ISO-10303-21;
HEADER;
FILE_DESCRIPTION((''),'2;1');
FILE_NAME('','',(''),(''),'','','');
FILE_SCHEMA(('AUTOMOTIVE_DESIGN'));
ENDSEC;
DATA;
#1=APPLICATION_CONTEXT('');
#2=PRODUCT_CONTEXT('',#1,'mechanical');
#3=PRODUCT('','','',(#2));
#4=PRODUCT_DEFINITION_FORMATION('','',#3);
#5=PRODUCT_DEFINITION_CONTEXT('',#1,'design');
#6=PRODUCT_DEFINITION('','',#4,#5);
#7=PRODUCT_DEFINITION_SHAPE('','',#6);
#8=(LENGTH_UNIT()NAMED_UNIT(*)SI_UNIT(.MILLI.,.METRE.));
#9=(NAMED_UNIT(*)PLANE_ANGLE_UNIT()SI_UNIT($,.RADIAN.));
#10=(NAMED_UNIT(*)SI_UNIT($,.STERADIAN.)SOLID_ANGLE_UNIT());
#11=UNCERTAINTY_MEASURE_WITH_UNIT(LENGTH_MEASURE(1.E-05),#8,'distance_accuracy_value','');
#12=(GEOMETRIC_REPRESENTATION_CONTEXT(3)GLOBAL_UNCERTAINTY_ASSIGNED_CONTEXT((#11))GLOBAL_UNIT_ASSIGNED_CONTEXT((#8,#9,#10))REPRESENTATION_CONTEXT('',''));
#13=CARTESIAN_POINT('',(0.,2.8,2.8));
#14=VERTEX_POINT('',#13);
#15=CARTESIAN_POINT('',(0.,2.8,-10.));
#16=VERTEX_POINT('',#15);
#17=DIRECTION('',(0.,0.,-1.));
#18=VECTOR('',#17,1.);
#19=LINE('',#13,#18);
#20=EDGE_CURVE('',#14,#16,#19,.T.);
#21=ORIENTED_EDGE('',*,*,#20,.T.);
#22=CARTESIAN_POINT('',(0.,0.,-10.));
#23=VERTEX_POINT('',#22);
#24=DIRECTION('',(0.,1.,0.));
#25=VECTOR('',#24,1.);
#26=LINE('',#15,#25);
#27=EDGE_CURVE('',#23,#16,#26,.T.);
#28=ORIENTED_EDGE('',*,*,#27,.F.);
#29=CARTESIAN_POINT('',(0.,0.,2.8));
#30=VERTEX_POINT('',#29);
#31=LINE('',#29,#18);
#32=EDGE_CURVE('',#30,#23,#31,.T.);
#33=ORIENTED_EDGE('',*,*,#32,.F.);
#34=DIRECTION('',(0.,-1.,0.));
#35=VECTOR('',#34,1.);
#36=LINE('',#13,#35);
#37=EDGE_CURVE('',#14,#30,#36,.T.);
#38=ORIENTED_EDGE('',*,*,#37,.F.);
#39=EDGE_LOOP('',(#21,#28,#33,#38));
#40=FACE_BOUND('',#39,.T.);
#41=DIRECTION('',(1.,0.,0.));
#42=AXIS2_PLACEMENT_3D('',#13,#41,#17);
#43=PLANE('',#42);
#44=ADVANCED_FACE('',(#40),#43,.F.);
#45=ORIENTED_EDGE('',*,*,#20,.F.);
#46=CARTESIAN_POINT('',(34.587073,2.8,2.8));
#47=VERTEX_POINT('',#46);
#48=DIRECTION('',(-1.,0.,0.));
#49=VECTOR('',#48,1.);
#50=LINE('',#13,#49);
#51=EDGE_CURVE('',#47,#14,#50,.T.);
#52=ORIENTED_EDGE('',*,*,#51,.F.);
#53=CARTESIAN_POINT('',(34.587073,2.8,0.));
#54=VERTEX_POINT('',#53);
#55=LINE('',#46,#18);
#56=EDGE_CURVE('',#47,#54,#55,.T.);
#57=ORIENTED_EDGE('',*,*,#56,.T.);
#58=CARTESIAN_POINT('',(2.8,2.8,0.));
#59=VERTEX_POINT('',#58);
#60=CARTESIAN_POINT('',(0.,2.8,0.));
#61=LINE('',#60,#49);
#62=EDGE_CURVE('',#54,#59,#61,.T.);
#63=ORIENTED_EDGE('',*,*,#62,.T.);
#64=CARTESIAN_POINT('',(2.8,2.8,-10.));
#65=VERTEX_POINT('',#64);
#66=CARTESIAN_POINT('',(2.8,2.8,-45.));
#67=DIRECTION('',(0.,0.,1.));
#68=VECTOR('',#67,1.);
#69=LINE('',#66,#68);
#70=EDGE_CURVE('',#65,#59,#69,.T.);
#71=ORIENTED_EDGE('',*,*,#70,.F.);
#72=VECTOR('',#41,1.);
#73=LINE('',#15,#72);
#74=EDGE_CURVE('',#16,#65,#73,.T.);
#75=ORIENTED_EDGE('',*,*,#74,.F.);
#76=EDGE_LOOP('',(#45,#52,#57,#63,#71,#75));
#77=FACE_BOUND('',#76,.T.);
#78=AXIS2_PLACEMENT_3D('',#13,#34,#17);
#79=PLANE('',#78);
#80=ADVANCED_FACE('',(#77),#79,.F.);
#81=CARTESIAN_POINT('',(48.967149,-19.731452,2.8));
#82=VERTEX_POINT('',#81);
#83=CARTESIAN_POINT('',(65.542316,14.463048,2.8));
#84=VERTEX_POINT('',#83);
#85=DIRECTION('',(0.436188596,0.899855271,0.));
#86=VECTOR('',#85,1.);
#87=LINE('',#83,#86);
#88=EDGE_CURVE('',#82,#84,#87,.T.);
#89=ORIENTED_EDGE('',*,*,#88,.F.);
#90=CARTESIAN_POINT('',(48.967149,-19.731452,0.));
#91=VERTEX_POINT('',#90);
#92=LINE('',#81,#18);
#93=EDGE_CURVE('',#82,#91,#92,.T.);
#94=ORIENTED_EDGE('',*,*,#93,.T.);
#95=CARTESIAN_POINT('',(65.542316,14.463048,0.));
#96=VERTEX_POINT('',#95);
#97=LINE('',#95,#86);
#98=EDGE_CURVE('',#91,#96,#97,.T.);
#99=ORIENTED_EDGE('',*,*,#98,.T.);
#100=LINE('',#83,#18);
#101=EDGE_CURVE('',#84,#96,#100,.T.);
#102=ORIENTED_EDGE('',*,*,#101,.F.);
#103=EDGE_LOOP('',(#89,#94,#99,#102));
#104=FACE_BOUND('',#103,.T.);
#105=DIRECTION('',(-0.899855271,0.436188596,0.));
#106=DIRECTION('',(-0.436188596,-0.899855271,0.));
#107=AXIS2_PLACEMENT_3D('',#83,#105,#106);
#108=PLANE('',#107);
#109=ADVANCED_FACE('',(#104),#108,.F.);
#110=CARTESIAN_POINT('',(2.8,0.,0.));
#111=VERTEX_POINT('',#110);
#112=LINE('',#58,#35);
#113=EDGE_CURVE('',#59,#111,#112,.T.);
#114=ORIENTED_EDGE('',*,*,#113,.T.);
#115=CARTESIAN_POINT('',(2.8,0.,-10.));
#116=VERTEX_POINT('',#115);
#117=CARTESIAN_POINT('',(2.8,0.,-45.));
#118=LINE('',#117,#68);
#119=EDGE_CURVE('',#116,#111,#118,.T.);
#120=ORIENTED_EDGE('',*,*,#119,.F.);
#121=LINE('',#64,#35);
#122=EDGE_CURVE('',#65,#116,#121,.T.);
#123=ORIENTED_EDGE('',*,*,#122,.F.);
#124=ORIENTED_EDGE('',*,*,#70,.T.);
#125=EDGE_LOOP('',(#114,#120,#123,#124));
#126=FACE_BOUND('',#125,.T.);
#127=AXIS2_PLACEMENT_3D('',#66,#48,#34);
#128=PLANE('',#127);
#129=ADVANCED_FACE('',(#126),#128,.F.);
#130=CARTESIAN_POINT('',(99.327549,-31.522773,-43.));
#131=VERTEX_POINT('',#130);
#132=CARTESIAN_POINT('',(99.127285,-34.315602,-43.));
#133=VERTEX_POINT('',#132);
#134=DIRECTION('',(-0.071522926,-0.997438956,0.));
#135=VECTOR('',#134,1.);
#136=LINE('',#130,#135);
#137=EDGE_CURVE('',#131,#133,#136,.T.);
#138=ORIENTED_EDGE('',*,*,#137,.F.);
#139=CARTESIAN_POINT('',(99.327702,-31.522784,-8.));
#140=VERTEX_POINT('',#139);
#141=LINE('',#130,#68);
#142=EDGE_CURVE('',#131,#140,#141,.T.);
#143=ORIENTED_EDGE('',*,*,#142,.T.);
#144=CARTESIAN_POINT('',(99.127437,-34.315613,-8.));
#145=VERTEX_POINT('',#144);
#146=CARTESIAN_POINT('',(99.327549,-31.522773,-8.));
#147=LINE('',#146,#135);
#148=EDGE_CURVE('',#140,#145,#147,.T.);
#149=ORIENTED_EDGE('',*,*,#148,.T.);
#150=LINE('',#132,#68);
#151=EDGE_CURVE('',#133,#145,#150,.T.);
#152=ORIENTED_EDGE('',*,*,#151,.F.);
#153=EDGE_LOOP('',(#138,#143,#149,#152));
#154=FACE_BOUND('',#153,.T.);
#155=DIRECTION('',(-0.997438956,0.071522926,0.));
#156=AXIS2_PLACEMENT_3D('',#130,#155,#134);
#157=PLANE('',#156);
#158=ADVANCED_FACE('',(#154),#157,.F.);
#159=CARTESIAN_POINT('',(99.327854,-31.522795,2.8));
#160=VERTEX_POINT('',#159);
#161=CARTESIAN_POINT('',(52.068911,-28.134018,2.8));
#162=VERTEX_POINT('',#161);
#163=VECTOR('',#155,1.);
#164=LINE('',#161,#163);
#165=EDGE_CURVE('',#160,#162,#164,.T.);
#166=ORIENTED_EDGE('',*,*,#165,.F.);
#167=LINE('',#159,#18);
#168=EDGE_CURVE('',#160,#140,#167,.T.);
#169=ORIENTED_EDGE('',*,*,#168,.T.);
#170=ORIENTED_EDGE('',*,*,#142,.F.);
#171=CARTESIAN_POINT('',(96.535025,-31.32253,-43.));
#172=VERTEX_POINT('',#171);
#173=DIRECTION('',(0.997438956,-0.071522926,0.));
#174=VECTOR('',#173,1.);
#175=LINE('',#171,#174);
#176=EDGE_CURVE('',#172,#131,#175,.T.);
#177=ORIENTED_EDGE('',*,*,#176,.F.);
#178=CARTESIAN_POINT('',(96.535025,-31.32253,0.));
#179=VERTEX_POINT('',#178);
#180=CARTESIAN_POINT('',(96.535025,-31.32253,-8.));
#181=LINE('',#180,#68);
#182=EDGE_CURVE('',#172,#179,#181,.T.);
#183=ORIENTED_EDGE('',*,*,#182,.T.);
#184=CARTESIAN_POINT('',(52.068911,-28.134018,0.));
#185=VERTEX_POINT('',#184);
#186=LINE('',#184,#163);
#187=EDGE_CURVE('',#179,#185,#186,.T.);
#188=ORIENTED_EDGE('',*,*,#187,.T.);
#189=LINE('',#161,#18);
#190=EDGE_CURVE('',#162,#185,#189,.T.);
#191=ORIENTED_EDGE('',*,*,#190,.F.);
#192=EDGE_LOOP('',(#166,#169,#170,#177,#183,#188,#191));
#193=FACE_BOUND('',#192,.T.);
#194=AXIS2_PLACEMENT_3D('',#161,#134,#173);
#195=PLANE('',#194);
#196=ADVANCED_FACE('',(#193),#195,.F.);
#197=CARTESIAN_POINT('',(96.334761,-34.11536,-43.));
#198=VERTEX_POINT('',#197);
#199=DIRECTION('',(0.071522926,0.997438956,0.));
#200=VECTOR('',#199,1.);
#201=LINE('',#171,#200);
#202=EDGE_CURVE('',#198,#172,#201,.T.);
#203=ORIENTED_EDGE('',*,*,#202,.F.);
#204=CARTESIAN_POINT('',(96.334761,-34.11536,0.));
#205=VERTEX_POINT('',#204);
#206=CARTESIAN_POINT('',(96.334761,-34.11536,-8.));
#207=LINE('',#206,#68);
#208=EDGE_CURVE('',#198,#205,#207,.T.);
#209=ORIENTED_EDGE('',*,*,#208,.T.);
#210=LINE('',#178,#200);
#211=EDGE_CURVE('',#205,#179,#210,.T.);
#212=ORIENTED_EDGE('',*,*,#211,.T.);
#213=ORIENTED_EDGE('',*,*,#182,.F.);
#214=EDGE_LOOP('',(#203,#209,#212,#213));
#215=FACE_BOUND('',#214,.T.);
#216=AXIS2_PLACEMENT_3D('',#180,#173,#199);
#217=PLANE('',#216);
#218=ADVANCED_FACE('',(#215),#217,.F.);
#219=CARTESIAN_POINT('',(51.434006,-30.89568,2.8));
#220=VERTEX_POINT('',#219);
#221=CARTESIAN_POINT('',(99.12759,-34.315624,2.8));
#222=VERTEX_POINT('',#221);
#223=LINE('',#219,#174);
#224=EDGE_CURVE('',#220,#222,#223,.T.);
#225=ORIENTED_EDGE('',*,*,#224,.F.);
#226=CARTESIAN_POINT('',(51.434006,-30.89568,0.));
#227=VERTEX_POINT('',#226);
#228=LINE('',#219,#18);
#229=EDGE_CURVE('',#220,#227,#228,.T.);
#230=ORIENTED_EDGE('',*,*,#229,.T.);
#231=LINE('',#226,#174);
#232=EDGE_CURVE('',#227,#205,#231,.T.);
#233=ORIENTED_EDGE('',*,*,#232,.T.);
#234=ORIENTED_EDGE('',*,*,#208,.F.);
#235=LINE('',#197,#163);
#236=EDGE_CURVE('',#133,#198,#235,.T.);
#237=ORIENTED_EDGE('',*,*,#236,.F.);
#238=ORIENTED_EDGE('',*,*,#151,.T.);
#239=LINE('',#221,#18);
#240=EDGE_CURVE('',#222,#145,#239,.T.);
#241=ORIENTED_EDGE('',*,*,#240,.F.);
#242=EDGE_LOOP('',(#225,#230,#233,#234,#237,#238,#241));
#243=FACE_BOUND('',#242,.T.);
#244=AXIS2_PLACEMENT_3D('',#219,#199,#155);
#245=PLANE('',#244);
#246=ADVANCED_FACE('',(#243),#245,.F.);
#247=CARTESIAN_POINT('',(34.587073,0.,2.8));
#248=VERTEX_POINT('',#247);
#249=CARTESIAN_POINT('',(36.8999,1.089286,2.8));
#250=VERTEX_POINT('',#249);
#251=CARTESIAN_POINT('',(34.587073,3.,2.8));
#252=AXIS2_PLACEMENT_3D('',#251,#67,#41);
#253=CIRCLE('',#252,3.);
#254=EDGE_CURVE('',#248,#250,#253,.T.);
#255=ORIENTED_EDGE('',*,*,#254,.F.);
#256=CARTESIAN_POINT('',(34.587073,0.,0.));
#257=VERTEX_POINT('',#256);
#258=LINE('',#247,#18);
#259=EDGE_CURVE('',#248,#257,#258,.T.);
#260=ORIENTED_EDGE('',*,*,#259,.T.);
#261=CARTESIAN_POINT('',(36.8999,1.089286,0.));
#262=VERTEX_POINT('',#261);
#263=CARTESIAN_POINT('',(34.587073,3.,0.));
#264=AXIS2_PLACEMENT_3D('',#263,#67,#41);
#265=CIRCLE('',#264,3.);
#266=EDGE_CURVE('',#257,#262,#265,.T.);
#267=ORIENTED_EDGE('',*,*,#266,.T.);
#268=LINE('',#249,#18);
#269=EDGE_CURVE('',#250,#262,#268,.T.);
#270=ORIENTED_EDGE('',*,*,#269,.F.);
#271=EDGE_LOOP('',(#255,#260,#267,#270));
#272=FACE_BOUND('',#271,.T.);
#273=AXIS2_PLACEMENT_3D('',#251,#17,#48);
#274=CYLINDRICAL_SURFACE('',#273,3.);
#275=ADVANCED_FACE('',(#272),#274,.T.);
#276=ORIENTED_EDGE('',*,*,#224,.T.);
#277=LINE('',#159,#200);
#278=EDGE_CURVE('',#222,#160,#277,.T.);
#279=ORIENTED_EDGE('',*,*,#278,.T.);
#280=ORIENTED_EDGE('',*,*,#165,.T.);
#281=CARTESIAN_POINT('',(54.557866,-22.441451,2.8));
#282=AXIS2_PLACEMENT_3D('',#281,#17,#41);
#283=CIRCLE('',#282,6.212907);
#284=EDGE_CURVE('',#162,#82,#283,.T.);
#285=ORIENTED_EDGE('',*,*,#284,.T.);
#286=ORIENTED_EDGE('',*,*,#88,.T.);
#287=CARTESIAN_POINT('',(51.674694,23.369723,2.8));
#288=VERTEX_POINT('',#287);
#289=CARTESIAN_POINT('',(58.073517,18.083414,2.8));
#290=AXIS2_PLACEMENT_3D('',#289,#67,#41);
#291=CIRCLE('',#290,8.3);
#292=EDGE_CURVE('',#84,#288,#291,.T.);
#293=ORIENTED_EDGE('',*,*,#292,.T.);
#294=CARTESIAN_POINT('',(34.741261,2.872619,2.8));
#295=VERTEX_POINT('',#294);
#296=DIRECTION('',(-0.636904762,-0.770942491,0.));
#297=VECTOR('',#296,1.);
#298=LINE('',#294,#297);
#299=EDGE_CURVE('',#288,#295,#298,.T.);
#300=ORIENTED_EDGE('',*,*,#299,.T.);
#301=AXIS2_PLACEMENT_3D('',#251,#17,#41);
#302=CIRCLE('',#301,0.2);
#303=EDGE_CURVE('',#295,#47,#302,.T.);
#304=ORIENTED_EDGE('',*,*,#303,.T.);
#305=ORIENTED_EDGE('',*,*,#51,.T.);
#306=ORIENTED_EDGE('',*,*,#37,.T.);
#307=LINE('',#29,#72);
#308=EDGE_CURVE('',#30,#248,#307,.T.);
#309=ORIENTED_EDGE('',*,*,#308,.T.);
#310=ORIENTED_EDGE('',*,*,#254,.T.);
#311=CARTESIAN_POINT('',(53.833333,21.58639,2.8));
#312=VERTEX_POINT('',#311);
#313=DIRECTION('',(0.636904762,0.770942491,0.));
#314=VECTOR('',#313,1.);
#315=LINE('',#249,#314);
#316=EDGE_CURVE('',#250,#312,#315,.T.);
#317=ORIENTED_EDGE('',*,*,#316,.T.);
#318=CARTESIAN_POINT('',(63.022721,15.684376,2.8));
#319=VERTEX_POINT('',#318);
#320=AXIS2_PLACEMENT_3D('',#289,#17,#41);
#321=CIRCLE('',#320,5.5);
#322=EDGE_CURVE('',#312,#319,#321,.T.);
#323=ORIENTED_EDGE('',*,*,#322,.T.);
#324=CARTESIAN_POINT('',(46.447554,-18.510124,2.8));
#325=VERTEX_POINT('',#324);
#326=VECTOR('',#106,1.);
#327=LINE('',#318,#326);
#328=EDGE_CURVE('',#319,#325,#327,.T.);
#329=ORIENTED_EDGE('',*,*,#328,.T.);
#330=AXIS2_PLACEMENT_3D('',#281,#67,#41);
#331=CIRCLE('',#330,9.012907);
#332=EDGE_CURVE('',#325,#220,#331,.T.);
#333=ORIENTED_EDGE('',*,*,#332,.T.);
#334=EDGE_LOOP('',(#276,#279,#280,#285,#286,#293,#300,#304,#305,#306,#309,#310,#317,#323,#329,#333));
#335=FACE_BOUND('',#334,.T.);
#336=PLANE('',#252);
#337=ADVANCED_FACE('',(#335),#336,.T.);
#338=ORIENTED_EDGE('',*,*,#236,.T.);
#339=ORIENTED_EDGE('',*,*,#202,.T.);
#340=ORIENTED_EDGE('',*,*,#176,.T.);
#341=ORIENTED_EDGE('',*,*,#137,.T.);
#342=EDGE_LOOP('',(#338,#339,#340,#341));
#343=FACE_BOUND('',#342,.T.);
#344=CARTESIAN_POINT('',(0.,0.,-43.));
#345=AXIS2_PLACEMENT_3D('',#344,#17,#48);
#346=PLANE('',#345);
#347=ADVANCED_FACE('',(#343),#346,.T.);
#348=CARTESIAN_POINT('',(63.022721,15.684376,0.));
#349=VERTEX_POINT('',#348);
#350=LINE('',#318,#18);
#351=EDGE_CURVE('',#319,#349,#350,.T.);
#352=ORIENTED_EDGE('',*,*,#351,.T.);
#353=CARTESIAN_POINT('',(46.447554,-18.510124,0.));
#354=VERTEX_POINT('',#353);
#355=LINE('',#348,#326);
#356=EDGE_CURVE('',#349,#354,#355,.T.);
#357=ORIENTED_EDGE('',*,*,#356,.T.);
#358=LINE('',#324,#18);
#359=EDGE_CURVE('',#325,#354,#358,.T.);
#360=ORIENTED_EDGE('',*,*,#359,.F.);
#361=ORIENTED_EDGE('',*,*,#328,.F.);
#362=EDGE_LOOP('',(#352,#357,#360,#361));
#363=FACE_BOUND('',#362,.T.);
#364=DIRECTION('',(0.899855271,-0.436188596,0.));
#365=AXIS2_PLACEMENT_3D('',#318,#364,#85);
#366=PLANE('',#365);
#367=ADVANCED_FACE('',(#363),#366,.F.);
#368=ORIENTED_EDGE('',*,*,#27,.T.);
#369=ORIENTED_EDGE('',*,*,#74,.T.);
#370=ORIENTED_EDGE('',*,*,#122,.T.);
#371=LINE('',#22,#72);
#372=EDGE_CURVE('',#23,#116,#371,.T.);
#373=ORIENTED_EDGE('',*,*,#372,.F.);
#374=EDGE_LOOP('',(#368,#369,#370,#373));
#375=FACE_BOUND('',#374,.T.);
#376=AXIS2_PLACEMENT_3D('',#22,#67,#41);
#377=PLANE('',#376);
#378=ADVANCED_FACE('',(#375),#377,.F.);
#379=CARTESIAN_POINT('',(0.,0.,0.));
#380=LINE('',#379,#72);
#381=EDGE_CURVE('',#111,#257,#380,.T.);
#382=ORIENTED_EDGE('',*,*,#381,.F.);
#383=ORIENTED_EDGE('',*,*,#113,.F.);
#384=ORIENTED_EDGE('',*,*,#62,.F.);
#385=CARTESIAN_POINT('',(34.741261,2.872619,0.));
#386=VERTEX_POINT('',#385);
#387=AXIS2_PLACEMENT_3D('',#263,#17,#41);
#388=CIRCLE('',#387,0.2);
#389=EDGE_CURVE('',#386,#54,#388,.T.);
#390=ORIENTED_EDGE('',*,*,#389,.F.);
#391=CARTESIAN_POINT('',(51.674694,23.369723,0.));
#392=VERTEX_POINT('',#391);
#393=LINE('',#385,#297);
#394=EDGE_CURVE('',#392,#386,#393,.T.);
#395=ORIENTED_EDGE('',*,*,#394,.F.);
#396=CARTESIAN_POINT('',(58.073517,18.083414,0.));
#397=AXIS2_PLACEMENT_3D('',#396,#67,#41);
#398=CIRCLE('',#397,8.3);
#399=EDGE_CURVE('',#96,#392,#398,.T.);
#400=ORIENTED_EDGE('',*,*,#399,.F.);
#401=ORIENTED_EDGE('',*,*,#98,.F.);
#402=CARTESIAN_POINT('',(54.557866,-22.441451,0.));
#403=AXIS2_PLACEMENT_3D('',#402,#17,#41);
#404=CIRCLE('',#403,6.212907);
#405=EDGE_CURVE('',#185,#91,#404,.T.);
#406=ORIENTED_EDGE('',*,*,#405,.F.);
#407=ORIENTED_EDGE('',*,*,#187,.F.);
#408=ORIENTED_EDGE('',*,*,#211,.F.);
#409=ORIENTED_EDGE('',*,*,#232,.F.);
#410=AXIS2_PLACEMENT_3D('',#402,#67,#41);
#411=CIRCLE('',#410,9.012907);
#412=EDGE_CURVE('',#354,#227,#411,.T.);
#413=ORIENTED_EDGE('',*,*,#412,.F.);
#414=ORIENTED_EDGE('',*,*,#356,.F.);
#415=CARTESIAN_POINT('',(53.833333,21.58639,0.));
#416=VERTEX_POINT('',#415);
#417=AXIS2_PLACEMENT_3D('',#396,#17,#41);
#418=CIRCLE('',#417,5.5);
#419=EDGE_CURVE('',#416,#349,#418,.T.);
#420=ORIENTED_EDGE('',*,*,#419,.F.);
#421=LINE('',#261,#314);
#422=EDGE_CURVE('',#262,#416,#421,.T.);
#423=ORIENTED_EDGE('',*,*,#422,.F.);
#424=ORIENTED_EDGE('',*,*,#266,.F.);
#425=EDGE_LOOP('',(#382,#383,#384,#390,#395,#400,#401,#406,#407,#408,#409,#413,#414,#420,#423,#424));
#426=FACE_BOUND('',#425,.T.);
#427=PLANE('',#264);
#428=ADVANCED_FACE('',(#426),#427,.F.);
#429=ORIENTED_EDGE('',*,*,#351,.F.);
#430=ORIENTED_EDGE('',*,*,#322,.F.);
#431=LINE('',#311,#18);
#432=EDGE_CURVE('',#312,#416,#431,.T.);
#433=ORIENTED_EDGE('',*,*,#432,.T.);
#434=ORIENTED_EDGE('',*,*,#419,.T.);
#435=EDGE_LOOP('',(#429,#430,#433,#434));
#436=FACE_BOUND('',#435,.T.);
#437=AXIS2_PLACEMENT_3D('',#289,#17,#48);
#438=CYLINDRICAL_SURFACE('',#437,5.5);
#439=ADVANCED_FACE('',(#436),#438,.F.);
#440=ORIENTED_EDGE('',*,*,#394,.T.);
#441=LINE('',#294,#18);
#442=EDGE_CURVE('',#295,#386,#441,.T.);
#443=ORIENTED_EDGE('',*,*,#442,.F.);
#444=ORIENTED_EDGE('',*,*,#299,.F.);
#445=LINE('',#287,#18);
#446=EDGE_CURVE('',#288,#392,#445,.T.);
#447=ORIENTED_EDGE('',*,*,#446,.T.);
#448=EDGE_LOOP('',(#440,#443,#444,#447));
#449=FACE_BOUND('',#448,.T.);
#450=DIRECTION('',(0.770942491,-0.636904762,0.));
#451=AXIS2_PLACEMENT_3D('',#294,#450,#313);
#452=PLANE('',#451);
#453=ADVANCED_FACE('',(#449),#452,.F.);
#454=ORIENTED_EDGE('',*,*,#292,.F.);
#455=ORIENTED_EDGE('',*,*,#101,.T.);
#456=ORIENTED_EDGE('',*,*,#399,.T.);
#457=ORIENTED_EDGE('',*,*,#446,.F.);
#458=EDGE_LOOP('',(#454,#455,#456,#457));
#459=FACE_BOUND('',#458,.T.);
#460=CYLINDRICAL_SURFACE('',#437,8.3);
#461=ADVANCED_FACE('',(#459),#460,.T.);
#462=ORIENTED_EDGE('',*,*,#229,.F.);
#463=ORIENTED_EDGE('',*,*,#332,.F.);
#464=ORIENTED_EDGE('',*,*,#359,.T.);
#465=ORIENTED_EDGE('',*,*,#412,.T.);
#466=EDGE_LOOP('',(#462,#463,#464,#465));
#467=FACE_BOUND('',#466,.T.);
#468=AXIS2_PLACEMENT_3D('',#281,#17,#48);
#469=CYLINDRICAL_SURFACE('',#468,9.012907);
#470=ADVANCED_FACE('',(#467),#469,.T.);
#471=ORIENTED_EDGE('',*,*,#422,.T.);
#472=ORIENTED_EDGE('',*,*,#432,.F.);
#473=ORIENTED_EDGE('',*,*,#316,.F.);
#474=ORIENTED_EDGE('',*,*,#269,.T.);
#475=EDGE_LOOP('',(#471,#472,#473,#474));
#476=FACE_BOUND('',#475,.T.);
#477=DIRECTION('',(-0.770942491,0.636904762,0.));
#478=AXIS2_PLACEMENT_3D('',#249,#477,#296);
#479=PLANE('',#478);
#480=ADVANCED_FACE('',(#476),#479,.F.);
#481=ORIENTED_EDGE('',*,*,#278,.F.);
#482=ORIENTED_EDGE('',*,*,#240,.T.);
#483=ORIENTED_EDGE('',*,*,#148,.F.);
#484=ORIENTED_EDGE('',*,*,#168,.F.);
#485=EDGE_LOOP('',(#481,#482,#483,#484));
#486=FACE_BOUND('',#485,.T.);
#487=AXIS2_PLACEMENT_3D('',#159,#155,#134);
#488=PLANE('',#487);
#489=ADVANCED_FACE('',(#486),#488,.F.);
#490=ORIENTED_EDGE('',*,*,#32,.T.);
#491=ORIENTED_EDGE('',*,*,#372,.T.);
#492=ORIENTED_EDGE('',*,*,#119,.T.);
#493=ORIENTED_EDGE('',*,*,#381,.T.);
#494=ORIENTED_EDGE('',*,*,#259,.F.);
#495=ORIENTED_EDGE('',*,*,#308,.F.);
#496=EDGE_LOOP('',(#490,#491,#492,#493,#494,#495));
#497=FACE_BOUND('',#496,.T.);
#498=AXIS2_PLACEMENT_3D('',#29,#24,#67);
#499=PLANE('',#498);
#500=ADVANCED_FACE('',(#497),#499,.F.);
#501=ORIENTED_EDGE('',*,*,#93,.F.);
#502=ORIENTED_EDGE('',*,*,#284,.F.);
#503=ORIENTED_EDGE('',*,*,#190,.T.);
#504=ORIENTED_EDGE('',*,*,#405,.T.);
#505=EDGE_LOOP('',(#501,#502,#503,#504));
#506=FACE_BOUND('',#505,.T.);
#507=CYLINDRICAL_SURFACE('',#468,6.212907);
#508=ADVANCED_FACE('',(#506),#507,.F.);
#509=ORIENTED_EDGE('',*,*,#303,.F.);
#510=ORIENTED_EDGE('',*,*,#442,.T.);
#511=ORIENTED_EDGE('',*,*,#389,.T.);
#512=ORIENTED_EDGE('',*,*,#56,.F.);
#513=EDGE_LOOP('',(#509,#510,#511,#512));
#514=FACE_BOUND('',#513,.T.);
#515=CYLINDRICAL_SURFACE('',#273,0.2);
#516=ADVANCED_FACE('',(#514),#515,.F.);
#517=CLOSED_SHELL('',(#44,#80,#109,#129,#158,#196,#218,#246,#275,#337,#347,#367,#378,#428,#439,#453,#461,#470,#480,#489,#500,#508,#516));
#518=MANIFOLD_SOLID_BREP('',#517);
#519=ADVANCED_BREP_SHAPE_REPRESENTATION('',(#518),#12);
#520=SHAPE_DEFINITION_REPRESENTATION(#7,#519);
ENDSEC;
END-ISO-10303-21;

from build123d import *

# Parameters (mm, degrees)
Y_KSEKLIK_EKSTR_ZYON1_DEPTH = 2.8
IZIM2_W                     = 2.8
IZIM2_H                     = 2.8
Y_KSEKLIK_EKSTR_ZYON3_DEPTH = 45
Y_KSEKLIK_EKSTR_ZYON4_DEPTH = 8
IZIM4_W                     = 2.8
IZIM4_H                     = 2.803743846
KES_EKSTR_ZYON1_DEPTH       = 35
Y_KSEKLIK_EKSTR_ZYON5_DEPTH = 35


with BuildPart() as part:
    # Çizim1 → Yükseklik-Ekstrüzyon1 (new body)
    with BuildSketch(Plane.XY):
        with BuildLine():
            Line((0, 0), (34.587072671, 0))
            ThreePointArc((34.587072671, 0), (35.865324826, 0.285949258), (36.899900144, 1.089285714))
            Line((36.899900144, 1.089285714), (53.833333333, 21.586389745))
            ThreePointArc((53.833333333, 21.586389745), (61.045741484, 22.711143216), (63.022721024, 15.684376278))
            Line((63.022721024, 15.684376278), (46.447554388, -18.510124025))
            ThreePointArc((46.447554388, -18.510124025), (46.197115168, -25.807507473), (51.434005635, -30.895680351))
            Line((51.434005635, -30.895680351), (99.127590258, -34.315623722))
            Line((99.127590258, -34.315623722), (99.327854452, -31.522794645))
            Line((99.327854452, -31.522794645), (52.068910631, -28.134017876))
            ThreePointArc((52.068910631, -28.134017876), (48.729396862, -24.592999144), (48.967149147, -19.731452093))
            Line((48.967149147, -19.731452093), (65.542315784, 14.46304821))
            ThreePointArc((65.542315784, 14.46304821), (62.558873931, 25.067078316), (51.674694359, 23.369723078))
            Line((51.674694359, 23.369723078), (34.741261169, 2.872619048))
            ThreePointArc((34.741261169, 2.872619048), (34.672289482, 2.819063284), (34.587072671, 2.8))
            Line((34.587072671, 2.8), (0, 2.8))
            Line((0, 2.8), (0, 0))
        make_face()
    extrude(amount=Y_KSEKLIK_EKSTR_ZYON1_DEPTH)

    # Çizim2 → Yükseklik-Ekstrüzyon3 (add)
    with BuildSketch(Plane(origin=(0, 0, 0), x_dir=(-1, 0, 0), z_dir=(0, 0, -1))):
        with Locations((-1.4, 1.4)):
            Rectangle(IZIM2_W, IZIM2_H)
    extrude(amount=Y_KSEKLIK_EKSTR_ZYON3_DEPTH)

    # Çizim3 → Yükseklik-Ekstrüzyon4 (add)
    with BuildSketch(Plane(origin=(0, 0, 0), x_dir=(-1, 0, 0), z_dir=(0, 0, -1))):
        Polygon((-99.327854452, -31.522794645), (-99.127590258, -34.315623722), (-96.334761181, -34.115359528), (-96.535025375, -31.322530451), align=None)
    extrude(amount=Y_KSEKLIK_EKSTR_ZYON4_DEPTH)

    # Çizim4 → Kes-Ekstrüzyon1 (cut)
    with BuildSketch(Plane(origin=(0, 0, -45), x_dir=(-1, 0, 0), z_dir=(0, 0, -1))):
        with Locations((-1.4, 1.398128077)):
            Rectangle(IZIM4_W, IZIM4_H)
    extrude(amount=-KES_EKSTR_ZYON1_DEPTH, mode=Mode.SUBTRACT)

    # Çizim5 → Yükseklik-Ekstrüzyon5 (add)
    with BuildSketch(Plane(origin=(0, 0, -8), x_dir=(-1, 0, 0), z_dir=(0, 0, -1))):
        Polygon((-96.535025375, -31.322530451), (-96.334761181, -34.115359528), (-99.127284523, -34.315601799), (-99.327548717, -31.522772722), align=None)
    extrude(amount=Y_KSEKLIK_EKSTR_ZYON5_DEPTH)


solid = part.part
